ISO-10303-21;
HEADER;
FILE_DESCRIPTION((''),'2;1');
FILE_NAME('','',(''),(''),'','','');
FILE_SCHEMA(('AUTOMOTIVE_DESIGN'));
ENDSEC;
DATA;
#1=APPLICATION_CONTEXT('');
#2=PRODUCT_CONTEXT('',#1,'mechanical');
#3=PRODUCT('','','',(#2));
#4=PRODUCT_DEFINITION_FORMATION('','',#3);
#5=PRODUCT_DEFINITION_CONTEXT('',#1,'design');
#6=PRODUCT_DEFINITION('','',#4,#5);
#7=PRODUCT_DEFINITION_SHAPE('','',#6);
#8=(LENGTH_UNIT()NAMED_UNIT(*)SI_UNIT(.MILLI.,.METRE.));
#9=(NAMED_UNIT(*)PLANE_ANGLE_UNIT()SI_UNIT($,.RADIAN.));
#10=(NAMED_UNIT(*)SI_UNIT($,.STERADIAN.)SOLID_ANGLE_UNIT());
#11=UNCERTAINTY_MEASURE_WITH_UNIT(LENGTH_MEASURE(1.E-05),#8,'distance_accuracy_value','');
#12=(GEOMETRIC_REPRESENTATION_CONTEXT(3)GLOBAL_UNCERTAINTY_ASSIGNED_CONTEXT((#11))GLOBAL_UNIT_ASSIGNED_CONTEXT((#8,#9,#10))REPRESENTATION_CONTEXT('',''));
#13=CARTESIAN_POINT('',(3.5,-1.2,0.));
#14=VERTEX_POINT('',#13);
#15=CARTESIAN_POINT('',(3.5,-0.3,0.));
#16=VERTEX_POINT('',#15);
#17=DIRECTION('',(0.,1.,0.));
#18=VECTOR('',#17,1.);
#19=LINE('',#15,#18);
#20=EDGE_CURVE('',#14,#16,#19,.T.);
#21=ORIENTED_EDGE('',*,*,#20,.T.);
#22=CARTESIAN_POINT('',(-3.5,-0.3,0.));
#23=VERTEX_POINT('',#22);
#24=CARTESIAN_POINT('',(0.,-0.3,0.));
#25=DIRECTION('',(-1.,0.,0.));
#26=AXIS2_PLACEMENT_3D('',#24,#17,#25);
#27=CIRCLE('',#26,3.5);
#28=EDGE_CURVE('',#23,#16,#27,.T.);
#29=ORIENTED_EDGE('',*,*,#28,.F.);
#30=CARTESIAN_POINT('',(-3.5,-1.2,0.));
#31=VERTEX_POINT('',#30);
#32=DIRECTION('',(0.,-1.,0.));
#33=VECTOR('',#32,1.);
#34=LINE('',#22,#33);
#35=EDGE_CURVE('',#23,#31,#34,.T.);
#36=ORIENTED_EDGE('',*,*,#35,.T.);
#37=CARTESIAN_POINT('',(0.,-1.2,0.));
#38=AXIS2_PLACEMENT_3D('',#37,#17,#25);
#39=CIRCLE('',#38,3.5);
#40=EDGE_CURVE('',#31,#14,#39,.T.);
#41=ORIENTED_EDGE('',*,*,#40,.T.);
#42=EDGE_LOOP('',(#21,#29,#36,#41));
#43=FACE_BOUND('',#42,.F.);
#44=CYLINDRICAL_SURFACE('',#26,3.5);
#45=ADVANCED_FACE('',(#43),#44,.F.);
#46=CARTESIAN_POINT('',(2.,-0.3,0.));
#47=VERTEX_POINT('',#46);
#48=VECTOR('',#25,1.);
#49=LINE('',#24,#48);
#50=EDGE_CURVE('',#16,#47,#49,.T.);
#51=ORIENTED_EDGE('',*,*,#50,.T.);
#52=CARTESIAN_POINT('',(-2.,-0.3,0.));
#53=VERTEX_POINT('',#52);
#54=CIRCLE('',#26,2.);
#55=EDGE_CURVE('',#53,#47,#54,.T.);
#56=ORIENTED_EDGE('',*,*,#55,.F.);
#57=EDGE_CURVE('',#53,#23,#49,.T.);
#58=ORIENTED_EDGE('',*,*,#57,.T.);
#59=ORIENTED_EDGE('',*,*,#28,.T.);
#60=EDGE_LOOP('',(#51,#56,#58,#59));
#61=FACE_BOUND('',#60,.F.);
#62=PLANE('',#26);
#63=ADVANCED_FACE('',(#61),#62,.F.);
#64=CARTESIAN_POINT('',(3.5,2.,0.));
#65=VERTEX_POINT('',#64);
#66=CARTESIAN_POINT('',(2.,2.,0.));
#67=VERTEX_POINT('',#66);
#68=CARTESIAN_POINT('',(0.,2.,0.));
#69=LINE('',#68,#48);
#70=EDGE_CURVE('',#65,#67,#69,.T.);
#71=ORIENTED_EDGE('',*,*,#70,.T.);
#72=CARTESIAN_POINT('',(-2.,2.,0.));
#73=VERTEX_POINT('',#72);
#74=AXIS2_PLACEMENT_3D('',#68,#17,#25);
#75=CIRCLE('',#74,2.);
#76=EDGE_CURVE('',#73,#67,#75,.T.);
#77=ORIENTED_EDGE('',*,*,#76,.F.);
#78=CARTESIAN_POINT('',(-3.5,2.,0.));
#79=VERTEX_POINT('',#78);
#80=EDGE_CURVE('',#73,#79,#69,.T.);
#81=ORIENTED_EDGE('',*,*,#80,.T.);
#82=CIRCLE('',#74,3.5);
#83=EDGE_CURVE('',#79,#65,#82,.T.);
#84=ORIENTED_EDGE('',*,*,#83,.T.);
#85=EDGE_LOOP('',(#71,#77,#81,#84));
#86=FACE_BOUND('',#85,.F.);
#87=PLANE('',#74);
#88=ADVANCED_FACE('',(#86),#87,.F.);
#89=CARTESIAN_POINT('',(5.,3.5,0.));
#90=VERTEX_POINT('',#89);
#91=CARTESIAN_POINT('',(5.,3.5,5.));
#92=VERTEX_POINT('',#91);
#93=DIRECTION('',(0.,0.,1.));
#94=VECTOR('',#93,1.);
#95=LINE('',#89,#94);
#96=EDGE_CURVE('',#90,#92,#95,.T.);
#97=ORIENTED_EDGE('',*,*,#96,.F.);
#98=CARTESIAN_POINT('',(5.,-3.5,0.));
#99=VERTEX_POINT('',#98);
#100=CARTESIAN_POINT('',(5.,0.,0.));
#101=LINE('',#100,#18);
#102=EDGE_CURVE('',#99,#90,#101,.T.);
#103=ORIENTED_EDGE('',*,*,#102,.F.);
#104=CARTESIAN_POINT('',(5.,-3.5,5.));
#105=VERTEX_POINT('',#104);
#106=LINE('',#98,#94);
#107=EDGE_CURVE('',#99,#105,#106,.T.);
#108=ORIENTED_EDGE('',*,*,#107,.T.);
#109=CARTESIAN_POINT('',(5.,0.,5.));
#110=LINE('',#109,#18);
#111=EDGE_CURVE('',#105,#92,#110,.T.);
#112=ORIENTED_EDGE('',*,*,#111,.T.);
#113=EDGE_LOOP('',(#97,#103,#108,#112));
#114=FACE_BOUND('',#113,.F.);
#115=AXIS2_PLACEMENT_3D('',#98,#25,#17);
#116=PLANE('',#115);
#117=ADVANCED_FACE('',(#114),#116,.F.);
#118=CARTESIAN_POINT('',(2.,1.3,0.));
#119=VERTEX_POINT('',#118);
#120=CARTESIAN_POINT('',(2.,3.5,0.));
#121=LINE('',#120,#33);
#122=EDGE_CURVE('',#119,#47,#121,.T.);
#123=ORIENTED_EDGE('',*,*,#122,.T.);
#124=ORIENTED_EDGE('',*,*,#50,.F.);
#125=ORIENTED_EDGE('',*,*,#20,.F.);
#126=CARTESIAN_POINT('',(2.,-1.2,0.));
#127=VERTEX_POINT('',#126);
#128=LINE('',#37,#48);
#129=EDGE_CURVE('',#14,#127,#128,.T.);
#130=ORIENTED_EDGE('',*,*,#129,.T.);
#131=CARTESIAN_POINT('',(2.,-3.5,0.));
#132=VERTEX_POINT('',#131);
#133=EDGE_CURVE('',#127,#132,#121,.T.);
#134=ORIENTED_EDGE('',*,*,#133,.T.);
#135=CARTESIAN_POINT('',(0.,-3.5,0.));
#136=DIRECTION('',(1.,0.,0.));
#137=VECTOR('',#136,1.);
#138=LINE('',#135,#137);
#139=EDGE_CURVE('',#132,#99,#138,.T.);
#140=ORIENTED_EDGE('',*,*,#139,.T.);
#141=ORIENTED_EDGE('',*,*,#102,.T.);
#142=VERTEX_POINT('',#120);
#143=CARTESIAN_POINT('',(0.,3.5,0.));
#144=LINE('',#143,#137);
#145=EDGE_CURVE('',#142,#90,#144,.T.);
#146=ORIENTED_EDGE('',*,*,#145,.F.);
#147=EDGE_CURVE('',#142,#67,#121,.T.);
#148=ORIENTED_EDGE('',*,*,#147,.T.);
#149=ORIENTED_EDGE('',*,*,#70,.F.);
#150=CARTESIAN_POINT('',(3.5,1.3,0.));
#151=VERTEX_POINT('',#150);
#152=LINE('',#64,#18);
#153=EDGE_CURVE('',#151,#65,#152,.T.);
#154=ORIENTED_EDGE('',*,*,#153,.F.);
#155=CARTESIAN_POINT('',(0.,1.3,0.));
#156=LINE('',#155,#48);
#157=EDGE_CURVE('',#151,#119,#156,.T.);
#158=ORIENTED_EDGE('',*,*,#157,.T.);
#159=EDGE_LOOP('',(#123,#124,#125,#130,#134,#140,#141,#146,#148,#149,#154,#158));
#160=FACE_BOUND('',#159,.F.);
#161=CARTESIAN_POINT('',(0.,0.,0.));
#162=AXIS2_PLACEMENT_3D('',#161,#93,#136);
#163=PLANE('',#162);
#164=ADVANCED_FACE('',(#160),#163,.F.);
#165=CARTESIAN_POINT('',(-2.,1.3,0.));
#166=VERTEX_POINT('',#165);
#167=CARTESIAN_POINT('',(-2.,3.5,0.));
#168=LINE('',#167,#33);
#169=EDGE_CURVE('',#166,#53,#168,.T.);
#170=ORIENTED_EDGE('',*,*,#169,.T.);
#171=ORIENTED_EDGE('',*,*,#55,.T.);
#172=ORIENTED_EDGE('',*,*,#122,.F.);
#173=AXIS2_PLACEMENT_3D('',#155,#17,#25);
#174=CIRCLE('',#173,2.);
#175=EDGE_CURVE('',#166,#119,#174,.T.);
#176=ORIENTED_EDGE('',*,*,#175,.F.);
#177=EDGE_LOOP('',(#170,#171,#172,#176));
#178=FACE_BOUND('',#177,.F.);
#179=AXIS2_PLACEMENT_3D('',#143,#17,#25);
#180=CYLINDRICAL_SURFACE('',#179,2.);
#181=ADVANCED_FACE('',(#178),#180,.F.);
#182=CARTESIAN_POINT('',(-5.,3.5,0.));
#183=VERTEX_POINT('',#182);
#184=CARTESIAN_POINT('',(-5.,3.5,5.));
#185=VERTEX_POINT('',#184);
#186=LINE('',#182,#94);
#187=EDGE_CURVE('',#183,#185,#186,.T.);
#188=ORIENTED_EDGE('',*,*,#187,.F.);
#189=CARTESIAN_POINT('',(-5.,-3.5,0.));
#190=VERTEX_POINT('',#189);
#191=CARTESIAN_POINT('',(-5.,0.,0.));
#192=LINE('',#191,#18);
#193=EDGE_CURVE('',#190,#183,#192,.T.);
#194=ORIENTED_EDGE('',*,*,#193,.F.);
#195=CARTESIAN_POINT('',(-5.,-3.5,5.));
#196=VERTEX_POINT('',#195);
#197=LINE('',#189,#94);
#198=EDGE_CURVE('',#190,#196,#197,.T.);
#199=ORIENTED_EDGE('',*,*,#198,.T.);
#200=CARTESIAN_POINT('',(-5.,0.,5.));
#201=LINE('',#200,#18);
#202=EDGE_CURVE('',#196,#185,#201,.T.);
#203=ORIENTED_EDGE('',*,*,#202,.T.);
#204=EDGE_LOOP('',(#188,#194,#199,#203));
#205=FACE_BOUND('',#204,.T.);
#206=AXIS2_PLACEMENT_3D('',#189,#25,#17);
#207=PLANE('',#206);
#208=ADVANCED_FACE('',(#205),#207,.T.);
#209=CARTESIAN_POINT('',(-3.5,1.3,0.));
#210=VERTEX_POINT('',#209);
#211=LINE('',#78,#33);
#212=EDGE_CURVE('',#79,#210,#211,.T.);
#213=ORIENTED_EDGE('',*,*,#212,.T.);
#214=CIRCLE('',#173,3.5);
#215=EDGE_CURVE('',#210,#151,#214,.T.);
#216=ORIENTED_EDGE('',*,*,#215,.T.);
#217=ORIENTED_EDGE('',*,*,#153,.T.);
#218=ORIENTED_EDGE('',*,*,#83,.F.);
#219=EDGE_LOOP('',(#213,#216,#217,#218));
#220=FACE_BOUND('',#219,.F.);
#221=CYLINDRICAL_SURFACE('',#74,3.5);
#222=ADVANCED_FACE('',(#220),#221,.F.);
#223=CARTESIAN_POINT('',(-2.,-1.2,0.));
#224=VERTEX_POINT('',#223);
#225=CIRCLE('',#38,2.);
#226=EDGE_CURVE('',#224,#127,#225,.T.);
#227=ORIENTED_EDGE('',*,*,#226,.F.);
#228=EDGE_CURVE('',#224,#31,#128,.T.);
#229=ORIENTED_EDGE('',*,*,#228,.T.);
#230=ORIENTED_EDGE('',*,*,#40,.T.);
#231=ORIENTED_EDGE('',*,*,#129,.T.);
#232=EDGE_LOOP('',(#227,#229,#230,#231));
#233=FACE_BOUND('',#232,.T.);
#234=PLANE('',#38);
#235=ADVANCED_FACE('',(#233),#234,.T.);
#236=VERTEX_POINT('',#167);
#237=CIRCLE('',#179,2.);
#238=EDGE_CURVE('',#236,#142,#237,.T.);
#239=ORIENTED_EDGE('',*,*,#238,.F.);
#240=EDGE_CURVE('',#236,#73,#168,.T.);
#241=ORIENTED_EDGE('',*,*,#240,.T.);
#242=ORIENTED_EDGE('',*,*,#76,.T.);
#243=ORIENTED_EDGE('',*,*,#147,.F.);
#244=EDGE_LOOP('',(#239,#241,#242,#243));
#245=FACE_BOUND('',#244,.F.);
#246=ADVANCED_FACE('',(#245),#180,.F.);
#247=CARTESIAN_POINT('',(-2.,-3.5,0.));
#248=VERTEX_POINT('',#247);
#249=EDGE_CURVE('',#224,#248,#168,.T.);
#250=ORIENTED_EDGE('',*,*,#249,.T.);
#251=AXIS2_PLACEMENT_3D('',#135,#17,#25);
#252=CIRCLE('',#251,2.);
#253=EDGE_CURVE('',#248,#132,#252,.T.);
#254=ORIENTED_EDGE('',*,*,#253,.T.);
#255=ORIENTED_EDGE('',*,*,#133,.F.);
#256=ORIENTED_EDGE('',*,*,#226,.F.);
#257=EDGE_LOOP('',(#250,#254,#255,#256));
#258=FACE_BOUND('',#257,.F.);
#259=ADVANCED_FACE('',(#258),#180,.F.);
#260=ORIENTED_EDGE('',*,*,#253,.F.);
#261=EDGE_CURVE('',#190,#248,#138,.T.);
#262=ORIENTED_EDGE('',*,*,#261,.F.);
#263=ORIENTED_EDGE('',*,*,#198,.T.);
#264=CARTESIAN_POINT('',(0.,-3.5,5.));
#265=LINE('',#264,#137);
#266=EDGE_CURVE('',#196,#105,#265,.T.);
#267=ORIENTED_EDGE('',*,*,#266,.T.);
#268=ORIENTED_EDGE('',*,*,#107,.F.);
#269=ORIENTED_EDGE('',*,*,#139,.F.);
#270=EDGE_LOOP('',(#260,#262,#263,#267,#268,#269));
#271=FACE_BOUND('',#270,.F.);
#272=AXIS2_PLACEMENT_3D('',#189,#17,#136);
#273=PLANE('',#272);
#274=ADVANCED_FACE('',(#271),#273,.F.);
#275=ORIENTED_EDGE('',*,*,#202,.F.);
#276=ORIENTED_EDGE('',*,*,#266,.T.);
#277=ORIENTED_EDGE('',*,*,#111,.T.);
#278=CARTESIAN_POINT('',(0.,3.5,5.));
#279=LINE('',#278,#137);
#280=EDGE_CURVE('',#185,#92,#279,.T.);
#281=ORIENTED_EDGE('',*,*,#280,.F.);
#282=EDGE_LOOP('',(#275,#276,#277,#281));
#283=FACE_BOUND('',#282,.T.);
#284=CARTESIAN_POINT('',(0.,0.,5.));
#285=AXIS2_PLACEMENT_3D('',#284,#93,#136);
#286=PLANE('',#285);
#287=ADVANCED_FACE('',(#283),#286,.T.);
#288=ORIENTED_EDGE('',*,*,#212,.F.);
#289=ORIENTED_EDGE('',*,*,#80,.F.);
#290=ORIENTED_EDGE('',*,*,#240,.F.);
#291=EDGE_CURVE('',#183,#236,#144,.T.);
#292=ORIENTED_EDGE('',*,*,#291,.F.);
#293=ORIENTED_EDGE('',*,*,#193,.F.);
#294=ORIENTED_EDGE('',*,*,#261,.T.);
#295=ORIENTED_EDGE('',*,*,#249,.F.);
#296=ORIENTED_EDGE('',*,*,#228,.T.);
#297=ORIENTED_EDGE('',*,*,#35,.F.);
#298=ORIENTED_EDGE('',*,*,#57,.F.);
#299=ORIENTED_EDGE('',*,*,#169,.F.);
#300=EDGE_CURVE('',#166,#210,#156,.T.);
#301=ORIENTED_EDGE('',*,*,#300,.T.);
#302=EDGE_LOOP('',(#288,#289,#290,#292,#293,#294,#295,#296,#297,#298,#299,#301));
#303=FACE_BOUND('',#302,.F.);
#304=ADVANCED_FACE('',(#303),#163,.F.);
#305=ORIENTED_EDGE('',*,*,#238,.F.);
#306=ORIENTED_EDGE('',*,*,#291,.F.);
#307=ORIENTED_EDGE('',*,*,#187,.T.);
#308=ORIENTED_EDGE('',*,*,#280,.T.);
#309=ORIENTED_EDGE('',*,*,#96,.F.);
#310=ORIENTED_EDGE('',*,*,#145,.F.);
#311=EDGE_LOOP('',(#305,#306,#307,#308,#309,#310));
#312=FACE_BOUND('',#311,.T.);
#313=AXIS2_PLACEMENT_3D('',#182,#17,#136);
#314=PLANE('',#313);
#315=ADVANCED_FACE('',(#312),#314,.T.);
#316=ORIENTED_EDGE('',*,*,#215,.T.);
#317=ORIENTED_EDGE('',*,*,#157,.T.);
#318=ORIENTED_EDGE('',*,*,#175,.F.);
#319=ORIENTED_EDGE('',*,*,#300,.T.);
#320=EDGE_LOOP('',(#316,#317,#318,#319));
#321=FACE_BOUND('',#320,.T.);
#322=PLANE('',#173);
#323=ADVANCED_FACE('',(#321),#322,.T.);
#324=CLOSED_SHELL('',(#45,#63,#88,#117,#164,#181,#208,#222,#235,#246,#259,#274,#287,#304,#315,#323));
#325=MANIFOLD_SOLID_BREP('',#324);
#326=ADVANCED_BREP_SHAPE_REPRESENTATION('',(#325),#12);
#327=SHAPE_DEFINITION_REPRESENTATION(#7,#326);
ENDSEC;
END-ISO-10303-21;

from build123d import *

# Parameters (mm, degrees)
F0_W     = 10
F0_H     = 7
F1_DEPTH = 5
F3_DEPTH = 7
F5_R     = 3.5
F6_DEPTH = 0.7
F8_R     = 3.5
F9_DEPTH = 0.9


with BuildPart() as f1:
    # F0 (on Top) → F1 (new body)
    with BuildSketch(Plane.XY):
        Rectangle(F0_W, F0_H)
    extrude(amount=F1_DEPTH)

    # F2 (on face) → F3 (cut, through all)
    with BuildSketch(Plane(origin=(0, 3.5, 0), x_dir=(-1, 0, 0), z_dir=(0, 1, 0))):
        with BuildLine():
            Line((-2, 0), (2, 0))
            ThreePointArc((2, 0), (0, 2), (-2, 0))
        make_face()
    extrude(amount=-F3_DEPTH, mode=Mode.SUBTRACT)

    # F5 (on offset) → F6 (cut)
    with BuildSketch(Plane(origin=(0, 2, 0), x_dir=(-1, 0, 0), z_dir=(0, 1, 0))):
        Circle(F5_R)
    extrude(amount=-F6_DEPTH, mode=Mode.SUBTRACT)

    # F8 (on offset) → F9 (cut)
    with BuildSketch(Plane(origin=(0, -0.3, 0), x_dir=(-1, 0, 0), z_dir=(0, 1, 0))):
        Circle(F8_R)
    extrude(amount=-F9_DEPTH, mode=Mode.SUBTRACT)


solid = f1.part
